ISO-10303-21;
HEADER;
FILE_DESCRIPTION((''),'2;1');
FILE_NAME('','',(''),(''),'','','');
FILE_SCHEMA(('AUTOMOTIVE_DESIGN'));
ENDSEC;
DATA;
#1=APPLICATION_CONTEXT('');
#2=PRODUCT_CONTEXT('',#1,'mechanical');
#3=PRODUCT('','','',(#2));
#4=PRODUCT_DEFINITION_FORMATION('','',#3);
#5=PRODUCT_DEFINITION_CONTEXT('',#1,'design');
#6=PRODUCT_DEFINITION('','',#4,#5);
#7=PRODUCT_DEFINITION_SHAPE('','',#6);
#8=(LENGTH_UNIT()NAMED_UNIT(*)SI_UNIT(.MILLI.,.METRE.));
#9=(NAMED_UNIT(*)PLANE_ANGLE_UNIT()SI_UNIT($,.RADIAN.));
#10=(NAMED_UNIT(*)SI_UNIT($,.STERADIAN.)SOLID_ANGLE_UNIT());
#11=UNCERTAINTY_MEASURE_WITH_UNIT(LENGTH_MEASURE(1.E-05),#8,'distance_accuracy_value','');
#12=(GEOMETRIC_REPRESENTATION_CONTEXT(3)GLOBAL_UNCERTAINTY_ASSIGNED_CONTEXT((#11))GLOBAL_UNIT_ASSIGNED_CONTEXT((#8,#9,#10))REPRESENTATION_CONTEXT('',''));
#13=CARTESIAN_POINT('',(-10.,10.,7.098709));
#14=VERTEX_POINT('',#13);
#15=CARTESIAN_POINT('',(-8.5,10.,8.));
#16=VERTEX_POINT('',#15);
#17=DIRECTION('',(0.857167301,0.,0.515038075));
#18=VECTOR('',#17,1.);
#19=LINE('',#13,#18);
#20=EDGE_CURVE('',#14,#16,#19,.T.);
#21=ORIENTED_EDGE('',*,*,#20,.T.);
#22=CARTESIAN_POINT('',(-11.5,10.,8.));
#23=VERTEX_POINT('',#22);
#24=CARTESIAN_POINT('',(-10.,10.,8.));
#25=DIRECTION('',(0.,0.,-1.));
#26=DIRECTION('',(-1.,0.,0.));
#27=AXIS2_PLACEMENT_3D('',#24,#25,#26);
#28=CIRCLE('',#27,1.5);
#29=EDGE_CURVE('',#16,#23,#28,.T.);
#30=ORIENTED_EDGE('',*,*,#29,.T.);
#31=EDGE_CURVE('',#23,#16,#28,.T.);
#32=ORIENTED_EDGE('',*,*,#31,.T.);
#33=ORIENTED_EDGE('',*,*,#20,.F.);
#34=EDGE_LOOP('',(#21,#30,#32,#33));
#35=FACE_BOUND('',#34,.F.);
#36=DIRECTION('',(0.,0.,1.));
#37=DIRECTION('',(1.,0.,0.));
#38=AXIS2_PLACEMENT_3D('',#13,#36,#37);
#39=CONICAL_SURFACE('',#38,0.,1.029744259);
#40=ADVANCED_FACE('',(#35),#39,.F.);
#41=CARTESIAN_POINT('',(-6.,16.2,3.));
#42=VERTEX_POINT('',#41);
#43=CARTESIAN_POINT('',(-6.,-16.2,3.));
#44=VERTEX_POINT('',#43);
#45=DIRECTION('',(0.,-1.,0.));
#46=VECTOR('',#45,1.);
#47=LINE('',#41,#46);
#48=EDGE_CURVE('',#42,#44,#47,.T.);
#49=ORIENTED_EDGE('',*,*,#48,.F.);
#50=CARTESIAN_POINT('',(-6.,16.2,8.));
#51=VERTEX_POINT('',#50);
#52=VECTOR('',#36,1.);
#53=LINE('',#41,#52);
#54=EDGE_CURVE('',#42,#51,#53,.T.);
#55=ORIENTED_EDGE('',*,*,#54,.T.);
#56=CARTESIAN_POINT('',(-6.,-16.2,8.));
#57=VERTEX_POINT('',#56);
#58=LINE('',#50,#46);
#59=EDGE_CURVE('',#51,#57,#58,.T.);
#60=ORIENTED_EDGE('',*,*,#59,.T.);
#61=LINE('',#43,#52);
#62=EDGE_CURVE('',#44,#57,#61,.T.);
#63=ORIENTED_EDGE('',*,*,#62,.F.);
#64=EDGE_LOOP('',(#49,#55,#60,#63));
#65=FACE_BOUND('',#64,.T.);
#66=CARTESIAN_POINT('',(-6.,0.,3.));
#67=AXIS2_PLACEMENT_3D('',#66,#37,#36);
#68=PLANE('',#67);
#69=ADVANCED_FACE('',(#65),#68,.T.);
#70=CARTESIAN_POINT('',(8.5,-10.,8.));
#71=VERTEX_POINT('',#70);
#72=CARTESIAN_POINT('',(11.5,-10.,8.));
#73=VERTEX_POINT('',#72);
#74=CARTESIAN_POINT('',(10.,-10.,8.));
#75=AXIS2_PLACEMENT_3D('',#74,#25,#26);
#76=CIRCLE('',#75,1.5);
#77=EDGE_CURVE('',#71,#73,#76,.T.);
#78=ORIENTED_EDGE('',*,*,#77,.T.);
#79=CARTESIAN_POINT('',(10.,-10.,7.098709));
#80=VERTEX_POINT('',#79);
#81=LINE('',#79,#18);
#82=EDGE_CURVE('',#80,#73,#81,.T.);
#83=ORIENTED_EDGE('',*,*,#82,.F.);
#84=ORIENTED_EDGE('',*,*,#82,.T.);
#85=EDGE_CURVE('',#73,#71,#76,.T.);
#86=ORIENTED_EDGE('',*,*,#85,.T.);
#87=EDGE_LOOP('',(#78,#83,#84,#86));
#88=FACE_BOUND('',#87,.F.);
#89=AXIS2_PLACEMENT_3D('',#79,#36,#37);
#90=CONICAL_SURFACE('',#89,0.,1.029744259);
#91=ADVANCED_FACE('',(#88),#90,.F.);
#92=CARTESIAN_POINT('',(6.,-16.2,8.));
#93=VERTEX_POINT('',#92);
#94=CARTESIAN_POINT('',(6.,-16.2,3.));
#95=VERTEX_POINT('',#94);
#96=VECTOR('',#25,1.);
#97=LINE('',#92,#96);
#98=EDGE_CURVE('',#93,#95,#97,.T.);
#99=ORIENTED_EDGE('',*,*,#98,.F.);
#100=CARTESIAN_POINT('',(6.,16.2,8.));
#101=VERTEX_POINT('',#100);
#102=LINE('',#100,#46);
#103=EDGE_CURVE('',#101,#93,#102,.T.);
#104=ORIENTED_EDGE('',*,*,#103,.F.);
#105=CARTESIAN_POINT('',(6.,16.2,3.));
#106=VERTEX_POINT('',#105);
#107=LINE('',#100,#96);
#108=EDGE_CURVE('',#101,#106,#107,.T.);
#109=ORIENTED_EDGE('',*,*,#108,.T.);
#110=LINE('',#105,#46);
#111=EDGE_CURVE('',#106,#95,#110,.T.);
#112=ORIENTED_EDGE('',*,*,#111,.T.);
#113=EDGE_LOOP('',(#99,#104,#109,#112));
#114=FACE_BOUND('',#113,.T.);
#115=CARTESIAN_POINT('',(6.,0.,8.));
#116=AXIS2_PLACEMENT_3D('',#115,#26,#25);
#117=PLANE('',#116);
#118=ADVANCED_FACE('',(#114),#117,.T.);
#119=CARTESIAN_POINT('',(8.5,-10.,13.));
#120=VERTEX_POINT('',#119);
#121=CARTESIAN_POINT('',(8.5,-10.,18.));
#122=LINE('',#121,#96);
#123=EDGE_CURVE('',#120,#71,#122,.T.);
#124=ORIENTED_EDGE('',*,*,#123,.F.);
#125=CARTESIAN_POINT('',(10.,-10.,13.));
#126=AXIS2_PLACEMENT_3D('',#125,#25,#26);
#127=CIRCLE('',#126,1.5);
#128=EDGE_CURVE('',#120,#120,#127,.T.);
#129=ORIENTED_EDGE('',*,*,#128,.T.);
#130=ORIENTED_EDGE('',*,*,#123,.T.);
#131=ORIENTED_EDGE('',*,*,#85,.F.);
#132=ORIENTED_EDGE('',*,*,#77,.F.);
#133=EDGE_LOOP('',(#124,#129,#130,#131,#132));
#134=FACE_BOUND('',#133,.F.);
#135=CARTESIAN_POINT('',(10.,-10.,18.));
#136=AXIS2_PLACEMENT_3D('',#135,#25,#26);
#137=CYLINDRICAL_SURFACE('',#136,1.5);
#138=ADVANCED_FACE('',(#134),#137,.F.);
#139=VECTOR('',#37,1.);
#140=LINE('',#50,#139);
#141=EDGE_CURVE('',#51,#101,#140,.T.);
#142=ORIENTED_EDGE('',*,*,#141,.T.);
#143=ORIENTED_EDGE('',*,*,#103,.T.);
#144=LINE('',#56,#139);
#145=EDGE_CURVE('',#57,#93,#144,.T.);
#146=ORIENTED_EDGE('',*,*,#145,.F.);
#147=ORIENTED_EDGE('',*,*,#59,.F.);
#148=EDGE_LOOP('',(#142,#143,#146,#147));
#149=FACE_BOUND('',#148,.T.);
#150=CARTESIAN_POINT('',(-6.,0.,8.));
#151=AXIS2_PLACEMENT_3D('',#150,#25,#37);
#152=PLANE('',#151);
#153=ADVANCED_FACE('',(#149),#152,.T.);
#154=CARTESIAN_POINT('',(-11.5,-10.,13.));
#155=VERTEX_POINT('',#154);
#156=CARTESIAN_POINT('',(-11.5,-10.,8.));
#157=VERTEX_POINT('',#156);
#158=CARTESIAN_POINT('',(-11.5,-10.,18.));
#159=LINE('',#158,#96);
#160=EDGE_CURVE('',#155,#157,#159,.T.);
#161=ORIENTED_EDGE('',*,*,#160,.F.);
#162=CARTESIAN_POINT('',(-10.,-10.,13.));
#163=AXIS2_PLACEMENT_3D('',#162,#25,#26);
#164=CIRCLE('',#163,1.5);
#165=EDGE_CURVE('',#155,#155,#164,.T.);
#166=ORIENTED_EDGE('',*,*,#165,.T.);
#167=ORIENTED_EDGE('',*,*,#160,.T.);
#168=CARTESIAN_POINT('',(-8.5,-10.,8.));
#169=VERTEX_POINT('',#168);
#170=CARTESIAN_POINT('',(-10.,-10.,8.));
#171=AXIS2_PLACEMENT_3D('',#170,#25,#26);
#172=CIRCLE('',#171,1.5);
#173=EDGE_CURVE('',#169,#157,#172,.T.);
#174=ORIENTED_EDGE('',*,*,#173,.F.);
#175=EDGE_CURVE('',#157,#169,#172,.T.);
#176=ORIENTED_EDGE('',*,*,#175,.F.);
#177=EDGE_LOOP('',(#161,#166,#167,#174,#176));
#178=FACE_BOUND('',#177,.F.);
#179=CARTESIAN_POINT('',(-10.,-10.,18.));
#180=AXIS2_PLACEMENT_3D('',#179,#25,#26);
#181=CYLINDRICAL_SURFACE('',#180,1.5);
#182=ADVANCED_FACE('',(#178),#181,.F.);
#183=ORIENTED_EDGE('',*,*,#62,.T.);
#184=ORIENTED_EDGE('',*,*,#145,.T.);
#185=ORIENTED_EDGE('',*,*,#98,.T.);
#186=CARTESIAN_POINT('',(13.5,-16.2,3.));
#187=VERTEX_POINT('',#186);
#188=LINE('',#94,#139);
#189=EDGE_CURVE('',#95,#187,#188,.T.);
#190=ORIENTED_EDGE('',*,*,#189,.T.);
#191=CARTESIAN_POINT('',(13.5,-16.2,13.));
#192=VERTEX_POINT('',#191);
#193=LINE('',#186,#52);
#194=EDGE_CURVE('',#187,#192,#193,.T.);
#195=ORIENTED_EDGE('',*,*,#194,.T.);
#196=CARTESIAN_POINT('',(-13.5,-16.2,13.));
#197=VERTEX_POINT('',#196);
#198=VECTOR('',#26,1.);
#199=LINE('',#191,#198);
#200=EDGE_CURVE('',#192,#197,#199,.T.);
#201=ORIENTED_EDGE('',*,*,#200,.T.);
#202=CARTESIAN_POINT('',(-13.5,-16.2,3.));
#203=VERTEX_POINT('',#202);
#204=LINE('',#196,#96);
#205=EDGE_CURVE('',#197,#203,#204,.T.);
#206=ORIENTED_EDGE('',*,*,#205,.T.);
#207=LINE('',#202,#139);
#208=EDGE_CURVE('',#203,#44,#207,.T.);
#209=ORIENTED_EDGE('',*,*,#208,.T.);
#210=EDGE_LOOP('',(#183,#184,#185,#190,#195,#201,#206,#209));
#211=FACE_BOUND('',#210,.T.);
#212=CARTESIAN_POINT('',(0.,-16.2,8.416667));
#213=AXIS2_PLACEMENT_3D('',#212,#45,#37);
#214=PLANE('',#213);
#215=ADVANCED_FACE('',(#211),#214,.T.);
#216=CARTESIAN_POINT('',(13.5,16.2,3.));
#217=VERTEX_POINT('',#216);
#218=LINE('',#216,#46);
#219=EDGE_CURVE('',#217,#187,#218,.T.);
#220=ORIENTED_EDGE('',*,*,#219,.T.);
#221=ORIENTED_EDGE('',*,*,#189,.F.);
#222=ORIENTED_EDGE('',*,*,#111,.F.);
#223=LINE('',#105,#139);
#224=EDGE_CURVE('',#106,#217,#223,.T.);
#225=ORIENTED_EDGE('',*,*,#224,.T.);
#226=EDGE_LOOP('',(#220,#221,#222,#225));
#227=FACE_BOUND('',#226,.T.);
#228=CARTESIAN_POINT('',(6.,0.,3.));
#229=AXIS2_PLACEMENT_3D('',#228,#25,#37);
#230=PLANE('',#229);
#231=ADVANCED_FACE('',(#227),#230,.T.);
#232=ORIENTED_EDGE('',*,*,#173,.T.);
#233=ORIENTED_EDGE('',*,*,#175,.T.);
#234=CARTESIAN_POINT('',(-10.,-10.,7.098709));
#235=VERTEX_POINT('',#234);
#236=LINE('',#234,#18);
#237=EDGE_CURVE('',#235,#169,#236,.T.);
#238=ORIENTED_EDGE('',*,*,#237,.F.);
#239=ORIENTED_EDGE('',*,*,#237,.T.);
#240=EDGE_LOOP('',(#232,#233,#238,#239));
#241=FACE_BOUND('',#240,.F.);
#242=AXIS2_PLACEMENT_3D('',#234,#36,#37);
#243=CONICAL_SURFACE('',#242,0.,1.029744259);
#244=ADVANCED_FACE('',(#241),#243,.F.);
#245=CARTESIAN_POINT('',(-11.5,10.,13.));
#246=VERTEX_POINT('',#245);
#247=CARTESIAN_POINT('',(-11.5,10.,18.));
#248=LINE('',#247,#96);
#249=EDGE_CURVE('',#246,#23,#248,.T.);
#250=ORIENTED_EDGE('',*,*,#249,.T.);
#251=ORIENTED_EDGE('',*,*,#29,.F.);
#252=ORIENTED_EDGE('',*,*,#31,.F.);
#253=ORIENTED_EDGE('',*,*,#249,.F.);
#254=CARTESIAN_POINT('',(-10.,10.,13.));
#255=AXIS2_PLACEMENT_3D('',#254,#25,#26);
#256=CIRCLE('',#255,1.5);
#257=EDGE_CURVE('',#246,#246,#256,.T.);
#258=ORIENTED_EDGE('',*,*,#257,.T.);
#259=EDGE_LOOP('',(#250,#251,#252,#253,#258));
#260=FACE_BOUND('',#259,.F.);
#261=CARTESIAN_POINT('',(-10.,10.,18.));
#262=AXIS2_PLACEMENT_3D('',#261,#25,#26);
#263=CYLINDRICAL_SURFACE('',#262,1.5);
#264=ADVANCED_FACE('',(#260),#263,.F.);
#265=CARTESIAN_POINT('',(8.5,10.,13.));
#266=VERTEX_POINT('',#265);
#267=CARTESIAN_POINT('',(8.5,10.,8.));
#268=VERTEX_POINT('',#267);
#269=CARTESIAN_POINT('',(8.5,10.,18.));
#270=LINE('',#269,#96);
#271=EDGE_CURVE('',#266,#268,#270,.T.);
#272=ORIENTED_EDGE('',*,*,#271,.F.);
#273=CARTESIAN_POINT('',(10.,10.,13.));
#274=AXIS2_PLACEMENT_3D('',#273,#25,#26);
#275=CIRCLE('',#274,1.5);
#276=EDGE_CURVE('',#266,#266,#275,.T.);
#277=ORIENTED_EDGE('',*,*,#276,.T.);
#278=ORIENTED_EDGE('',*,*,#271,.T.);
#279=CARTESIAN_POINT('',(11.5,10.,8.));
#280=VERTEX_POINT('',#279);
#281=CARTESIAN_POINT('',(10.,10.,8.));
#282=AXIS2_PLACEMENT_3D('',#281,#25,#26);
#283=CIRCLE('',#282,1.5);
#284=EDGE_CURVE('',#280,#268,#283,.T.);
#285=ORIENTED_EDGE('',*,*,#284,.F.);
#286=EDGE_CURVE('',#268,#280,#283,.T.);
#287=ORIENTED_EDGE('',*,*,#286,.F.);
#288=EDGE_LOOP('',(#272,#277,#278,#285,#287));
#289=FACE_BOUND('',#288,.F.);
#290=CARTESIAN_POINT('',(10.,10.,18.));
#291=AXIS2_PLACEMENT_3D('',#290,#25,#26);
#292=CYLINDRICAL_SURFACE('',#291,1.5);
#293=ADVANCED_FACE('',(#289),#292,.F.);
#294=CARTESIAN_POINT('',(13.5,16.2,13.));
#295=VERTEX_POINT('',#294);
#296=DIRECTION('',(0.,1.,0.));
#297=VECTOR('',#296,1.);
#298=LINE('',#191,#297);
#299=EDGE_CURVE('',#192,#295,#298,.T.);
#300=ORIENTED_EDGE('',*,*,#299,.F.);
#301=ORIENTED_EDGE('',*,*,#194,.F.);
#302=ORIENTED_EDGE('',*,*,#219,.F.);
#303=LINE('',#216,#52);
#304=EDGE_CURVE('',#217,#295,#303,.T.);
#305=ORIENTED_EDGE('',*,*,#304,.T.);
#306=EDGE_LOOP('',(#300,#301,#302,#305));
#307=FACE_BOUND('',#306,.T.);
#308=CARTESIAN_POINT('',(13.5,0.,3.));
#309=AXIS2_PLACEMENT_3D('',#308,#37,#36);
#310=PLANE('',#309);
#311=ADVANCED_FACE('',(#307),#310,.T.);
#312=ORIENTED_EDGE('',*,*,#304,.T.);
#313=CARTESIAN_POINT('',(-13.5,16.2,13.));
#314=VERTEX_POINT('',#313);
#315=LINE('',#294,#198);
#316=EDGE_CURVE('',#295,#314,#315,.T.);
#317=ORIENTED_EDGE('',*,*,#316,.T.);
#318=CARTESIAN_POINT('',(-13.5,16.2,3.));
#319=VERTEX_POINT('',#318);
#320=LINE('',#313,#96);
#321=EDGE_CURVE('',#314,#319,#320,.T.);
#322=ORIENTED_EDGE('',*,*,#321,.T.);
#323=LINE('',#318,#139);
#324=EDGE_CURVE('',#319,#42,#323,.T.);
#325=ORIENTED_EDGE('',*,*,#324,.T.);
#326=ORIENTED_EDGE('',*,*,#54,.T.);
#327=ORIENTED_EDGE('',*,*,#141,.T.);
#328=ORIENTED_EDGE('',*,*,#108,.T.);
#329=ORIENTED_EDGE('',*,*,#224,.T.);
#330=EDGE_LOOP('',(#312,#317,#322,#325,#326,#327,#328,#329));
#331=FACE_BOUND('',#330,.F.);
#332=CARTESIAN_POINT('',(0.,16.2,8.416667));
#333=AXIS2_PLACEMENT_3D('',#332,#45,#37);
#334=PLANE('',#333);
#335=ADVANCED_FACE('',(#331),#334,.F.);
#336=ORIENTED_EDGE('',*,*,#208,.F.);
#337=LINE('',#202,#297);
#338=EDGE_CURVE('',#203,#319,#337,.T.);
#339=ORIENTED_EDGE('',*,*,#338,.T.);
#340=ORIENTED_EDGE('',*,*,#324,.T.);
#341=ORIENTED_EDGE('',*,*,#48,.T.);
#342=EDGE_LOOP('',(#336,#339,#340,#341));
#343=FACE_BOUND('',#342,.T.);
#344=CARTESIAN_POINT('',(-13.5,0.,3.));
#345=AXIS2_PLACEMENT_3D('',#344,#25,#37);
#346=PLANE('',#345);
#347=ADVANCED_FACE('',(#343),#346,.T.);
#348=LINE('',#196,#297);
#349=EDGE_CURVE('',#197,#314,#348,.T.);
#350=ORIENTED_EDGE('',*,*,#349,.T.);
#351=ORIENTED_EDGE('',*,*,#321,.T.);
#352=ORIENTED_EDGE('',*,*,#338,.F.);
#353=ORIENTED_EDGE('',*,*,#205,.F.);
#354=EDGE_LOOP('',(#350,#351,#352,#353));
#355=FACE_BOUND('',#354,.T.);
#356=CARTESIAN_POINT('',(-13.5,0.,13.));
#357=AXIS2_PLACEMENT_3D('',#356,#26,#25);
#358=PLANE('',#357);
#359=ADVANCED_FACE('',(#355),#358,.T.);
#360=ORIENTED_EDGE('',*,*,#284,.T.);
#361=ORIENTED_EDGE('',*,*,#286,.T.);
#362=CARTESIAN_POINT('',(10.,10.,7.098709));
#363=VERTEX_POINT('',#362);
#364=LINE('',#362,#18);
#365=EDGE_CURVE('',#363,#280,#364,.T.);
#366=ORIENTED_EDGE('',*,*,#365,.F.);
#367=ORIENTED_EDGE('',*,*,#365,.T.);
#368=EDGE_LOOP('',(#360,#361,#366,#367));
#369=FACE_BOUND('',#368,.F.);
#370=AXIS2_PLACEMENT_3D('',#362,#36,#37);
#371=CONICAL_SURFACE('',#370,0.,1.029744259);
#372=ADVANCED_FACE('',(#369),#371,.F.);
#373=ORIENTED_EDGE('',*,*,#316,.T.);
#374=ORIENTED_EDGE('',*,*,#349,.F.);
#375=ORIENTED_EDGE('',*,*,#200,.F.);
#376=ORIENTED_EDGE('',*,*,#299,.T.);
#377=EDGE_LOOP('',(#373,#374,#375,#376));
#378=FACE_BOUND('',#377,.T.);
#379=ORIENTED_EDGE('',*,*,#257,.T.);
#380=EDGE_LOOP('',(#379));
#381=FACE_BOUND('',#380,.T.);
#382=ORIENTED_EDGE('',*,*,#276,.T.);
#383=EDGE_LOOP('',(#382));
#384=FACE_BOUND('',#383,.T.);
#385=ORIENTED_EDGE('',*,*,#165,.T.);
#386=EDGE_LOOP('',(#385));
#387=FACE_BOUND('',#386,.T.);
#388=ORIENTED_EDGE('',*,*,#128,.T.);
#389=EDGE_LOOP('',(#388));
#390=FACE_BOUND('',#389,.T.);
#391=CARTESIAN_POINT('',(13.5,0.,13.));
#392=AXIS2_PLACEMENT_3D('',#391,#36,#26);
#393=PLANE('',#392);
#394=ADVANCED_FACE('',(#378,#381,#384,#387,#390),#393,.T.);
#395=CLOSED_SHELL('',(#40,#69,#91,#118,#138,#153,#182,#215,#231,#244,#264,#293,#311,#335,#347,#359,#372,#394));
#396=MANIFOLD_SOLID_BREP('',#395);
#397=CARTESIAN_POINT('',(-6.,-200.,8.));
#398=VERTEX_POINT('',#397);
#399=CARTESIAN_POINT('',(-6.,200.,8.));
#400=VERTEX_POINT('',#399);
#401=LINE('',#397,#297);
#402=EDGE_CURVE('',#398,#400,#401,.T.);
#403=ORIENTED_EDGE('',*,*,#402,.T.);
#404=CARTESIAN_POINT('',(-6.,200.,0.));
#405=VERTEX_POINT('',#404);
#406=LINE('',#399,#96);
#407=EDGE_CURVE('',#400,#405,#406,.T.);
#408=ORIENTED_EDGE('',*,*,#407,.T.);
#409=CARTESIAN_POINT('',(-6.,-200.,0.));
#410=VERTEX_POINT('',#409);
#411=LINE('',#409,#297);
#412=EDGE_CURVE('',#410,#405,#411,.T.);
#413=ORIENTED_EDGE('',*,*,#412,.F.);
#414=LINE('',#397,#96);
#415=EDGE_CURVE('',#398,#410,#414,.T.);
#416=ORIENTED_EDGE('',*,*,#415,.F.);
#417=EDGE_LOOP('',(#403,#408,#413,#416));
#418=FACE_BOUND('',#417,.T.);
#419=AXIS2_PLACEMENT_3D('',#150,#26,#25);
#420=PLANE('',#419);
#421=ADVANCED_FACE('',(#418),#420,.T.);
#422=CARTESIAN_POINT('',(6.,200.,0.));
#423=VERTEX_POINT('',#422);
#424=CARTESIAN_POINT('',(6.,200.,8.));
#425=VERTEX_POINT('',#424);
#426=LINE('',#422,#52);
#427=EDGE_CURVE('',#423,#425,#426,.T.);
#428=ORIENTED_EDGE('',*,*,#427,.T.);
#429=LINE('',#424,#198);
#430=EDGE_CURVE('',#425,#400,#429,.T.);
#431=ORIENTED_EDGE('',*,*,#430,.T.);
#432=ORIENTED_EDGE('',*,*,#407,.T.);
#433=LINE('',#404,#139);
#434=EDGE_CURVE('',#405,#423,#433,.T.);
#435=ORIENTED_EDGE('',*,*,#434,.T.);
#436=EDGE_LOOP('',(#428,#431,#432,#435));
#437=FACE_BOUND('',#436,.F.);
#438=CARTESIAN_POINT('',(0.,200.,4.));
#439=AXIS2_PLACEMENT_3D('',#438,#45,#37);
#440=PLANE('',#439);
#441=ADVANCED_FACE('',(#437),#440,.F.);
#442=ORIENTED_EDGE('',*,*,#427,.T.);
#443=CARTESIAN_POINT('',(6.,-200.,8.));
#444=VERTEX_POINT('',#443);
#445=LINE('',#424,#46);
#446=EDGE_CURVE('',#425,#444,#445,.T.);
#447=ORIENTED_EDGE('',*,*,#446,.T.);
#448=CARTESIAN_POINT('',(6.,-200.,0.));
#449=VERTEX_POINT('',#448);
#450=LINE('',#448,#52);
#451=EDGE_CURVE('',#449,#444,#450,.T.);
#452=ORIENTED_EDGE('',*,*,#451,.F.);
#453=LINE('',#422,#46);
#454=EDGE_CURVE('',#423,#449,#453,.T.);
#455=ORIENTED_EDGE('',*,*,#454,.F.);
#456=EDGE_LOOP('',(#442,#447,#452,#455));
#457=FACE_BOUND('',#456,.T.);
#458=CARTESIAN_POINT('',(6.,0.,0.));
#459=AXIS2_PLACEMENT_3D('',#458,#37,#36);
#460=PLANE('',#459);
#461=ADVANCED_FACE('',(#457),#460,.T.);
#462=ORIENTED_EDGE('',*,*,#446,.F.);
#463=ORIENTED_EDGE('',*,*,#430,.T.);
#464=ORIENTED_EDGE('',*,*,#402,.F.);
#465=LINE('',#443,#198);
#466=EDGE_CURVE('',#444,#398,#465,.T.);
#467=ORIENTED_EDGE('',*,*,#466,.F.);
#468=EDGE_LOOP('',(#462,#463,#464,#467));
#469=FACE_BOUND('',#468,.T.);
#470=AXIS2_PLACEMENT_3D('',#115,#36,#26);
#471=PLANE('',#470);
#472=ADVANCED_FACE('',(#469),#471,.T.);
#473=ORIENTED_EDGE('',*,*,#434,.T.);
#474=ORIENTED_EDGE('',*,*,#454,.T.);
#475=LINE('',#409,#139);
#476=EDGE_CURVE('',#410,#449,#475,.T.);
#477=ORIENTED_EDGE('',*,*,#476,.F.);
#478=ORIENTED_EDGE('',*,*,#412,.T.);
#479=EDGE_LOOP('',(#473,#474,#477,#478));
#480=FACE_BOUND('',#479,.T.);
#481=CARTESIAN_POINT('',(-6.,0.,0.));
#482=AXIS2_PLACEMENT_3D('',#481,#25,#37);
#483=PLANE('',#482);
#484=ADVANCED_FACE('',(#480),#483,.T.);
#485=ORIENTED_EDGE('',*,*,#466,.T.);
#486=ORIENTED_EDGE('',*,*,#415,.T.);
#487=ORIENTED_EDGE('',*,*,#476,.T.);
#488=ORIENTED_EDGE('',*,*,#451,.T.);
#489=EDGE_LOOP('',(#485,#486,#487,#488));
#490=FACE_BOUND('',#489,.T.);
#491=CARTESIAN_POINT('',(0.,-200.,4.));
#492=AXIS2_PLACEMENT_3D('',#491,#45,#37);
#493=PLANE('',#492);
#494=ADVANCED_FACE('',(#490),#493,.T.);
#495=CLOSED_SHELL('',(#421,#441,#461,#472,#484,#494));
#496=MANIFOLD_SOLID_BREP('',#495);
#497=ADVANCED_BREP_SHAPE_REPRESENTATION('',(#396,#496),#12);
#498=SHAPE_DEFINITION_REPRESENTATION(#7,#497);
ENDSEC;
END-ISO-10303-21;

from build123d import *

# Parameters (mm, degrees)
F1_DEPTH = 200
F2_DEPTH = 16.2
F4_D     = 3
F4_DEPTH = 5
F4_TIP   = 0.9012909285


with BuildPart() as f1:
    # F0 (on Front) → F1 (new body, symmetric)
    with BuildSketch(Plane.XZ):
        Polygon((-6, 3), (-6, 0), (6, 0), (6, 3), (6, 8), (-6, 8), align=None)
    extrude(amount=F1_DEPTH, both=True)


with BuildPart() as f2:
    # F0 (on Front) → F2 (new body, symmetric)
    with BuildSketch(Plane.XZ):
        Polygon((-13.5, 3), (-6, 3), (-6, 8), (6, 8), (6, 3), (13.5, 3), (13.5, 13), (-13.5, 13), align=None)
    extrude(amount=F2_DEPTH, both=True)

    # F4
    with Locations(Plane.XY.offset(13)):
        with Locations((-10, 10), (10, 10), (10, -10), (-10, -10)):
            Hole(F4_D / 2, depth=F4_DEPTH)
            with Locations((0, 0, -(F4_DEPTH + F4_TIP / 2))):  # 118° drill point
                Cone(0, F4_D / 2, F4_TIP, mode=Mode.SUBTRACT)


solid = Compound([f1.part, f2.part])
